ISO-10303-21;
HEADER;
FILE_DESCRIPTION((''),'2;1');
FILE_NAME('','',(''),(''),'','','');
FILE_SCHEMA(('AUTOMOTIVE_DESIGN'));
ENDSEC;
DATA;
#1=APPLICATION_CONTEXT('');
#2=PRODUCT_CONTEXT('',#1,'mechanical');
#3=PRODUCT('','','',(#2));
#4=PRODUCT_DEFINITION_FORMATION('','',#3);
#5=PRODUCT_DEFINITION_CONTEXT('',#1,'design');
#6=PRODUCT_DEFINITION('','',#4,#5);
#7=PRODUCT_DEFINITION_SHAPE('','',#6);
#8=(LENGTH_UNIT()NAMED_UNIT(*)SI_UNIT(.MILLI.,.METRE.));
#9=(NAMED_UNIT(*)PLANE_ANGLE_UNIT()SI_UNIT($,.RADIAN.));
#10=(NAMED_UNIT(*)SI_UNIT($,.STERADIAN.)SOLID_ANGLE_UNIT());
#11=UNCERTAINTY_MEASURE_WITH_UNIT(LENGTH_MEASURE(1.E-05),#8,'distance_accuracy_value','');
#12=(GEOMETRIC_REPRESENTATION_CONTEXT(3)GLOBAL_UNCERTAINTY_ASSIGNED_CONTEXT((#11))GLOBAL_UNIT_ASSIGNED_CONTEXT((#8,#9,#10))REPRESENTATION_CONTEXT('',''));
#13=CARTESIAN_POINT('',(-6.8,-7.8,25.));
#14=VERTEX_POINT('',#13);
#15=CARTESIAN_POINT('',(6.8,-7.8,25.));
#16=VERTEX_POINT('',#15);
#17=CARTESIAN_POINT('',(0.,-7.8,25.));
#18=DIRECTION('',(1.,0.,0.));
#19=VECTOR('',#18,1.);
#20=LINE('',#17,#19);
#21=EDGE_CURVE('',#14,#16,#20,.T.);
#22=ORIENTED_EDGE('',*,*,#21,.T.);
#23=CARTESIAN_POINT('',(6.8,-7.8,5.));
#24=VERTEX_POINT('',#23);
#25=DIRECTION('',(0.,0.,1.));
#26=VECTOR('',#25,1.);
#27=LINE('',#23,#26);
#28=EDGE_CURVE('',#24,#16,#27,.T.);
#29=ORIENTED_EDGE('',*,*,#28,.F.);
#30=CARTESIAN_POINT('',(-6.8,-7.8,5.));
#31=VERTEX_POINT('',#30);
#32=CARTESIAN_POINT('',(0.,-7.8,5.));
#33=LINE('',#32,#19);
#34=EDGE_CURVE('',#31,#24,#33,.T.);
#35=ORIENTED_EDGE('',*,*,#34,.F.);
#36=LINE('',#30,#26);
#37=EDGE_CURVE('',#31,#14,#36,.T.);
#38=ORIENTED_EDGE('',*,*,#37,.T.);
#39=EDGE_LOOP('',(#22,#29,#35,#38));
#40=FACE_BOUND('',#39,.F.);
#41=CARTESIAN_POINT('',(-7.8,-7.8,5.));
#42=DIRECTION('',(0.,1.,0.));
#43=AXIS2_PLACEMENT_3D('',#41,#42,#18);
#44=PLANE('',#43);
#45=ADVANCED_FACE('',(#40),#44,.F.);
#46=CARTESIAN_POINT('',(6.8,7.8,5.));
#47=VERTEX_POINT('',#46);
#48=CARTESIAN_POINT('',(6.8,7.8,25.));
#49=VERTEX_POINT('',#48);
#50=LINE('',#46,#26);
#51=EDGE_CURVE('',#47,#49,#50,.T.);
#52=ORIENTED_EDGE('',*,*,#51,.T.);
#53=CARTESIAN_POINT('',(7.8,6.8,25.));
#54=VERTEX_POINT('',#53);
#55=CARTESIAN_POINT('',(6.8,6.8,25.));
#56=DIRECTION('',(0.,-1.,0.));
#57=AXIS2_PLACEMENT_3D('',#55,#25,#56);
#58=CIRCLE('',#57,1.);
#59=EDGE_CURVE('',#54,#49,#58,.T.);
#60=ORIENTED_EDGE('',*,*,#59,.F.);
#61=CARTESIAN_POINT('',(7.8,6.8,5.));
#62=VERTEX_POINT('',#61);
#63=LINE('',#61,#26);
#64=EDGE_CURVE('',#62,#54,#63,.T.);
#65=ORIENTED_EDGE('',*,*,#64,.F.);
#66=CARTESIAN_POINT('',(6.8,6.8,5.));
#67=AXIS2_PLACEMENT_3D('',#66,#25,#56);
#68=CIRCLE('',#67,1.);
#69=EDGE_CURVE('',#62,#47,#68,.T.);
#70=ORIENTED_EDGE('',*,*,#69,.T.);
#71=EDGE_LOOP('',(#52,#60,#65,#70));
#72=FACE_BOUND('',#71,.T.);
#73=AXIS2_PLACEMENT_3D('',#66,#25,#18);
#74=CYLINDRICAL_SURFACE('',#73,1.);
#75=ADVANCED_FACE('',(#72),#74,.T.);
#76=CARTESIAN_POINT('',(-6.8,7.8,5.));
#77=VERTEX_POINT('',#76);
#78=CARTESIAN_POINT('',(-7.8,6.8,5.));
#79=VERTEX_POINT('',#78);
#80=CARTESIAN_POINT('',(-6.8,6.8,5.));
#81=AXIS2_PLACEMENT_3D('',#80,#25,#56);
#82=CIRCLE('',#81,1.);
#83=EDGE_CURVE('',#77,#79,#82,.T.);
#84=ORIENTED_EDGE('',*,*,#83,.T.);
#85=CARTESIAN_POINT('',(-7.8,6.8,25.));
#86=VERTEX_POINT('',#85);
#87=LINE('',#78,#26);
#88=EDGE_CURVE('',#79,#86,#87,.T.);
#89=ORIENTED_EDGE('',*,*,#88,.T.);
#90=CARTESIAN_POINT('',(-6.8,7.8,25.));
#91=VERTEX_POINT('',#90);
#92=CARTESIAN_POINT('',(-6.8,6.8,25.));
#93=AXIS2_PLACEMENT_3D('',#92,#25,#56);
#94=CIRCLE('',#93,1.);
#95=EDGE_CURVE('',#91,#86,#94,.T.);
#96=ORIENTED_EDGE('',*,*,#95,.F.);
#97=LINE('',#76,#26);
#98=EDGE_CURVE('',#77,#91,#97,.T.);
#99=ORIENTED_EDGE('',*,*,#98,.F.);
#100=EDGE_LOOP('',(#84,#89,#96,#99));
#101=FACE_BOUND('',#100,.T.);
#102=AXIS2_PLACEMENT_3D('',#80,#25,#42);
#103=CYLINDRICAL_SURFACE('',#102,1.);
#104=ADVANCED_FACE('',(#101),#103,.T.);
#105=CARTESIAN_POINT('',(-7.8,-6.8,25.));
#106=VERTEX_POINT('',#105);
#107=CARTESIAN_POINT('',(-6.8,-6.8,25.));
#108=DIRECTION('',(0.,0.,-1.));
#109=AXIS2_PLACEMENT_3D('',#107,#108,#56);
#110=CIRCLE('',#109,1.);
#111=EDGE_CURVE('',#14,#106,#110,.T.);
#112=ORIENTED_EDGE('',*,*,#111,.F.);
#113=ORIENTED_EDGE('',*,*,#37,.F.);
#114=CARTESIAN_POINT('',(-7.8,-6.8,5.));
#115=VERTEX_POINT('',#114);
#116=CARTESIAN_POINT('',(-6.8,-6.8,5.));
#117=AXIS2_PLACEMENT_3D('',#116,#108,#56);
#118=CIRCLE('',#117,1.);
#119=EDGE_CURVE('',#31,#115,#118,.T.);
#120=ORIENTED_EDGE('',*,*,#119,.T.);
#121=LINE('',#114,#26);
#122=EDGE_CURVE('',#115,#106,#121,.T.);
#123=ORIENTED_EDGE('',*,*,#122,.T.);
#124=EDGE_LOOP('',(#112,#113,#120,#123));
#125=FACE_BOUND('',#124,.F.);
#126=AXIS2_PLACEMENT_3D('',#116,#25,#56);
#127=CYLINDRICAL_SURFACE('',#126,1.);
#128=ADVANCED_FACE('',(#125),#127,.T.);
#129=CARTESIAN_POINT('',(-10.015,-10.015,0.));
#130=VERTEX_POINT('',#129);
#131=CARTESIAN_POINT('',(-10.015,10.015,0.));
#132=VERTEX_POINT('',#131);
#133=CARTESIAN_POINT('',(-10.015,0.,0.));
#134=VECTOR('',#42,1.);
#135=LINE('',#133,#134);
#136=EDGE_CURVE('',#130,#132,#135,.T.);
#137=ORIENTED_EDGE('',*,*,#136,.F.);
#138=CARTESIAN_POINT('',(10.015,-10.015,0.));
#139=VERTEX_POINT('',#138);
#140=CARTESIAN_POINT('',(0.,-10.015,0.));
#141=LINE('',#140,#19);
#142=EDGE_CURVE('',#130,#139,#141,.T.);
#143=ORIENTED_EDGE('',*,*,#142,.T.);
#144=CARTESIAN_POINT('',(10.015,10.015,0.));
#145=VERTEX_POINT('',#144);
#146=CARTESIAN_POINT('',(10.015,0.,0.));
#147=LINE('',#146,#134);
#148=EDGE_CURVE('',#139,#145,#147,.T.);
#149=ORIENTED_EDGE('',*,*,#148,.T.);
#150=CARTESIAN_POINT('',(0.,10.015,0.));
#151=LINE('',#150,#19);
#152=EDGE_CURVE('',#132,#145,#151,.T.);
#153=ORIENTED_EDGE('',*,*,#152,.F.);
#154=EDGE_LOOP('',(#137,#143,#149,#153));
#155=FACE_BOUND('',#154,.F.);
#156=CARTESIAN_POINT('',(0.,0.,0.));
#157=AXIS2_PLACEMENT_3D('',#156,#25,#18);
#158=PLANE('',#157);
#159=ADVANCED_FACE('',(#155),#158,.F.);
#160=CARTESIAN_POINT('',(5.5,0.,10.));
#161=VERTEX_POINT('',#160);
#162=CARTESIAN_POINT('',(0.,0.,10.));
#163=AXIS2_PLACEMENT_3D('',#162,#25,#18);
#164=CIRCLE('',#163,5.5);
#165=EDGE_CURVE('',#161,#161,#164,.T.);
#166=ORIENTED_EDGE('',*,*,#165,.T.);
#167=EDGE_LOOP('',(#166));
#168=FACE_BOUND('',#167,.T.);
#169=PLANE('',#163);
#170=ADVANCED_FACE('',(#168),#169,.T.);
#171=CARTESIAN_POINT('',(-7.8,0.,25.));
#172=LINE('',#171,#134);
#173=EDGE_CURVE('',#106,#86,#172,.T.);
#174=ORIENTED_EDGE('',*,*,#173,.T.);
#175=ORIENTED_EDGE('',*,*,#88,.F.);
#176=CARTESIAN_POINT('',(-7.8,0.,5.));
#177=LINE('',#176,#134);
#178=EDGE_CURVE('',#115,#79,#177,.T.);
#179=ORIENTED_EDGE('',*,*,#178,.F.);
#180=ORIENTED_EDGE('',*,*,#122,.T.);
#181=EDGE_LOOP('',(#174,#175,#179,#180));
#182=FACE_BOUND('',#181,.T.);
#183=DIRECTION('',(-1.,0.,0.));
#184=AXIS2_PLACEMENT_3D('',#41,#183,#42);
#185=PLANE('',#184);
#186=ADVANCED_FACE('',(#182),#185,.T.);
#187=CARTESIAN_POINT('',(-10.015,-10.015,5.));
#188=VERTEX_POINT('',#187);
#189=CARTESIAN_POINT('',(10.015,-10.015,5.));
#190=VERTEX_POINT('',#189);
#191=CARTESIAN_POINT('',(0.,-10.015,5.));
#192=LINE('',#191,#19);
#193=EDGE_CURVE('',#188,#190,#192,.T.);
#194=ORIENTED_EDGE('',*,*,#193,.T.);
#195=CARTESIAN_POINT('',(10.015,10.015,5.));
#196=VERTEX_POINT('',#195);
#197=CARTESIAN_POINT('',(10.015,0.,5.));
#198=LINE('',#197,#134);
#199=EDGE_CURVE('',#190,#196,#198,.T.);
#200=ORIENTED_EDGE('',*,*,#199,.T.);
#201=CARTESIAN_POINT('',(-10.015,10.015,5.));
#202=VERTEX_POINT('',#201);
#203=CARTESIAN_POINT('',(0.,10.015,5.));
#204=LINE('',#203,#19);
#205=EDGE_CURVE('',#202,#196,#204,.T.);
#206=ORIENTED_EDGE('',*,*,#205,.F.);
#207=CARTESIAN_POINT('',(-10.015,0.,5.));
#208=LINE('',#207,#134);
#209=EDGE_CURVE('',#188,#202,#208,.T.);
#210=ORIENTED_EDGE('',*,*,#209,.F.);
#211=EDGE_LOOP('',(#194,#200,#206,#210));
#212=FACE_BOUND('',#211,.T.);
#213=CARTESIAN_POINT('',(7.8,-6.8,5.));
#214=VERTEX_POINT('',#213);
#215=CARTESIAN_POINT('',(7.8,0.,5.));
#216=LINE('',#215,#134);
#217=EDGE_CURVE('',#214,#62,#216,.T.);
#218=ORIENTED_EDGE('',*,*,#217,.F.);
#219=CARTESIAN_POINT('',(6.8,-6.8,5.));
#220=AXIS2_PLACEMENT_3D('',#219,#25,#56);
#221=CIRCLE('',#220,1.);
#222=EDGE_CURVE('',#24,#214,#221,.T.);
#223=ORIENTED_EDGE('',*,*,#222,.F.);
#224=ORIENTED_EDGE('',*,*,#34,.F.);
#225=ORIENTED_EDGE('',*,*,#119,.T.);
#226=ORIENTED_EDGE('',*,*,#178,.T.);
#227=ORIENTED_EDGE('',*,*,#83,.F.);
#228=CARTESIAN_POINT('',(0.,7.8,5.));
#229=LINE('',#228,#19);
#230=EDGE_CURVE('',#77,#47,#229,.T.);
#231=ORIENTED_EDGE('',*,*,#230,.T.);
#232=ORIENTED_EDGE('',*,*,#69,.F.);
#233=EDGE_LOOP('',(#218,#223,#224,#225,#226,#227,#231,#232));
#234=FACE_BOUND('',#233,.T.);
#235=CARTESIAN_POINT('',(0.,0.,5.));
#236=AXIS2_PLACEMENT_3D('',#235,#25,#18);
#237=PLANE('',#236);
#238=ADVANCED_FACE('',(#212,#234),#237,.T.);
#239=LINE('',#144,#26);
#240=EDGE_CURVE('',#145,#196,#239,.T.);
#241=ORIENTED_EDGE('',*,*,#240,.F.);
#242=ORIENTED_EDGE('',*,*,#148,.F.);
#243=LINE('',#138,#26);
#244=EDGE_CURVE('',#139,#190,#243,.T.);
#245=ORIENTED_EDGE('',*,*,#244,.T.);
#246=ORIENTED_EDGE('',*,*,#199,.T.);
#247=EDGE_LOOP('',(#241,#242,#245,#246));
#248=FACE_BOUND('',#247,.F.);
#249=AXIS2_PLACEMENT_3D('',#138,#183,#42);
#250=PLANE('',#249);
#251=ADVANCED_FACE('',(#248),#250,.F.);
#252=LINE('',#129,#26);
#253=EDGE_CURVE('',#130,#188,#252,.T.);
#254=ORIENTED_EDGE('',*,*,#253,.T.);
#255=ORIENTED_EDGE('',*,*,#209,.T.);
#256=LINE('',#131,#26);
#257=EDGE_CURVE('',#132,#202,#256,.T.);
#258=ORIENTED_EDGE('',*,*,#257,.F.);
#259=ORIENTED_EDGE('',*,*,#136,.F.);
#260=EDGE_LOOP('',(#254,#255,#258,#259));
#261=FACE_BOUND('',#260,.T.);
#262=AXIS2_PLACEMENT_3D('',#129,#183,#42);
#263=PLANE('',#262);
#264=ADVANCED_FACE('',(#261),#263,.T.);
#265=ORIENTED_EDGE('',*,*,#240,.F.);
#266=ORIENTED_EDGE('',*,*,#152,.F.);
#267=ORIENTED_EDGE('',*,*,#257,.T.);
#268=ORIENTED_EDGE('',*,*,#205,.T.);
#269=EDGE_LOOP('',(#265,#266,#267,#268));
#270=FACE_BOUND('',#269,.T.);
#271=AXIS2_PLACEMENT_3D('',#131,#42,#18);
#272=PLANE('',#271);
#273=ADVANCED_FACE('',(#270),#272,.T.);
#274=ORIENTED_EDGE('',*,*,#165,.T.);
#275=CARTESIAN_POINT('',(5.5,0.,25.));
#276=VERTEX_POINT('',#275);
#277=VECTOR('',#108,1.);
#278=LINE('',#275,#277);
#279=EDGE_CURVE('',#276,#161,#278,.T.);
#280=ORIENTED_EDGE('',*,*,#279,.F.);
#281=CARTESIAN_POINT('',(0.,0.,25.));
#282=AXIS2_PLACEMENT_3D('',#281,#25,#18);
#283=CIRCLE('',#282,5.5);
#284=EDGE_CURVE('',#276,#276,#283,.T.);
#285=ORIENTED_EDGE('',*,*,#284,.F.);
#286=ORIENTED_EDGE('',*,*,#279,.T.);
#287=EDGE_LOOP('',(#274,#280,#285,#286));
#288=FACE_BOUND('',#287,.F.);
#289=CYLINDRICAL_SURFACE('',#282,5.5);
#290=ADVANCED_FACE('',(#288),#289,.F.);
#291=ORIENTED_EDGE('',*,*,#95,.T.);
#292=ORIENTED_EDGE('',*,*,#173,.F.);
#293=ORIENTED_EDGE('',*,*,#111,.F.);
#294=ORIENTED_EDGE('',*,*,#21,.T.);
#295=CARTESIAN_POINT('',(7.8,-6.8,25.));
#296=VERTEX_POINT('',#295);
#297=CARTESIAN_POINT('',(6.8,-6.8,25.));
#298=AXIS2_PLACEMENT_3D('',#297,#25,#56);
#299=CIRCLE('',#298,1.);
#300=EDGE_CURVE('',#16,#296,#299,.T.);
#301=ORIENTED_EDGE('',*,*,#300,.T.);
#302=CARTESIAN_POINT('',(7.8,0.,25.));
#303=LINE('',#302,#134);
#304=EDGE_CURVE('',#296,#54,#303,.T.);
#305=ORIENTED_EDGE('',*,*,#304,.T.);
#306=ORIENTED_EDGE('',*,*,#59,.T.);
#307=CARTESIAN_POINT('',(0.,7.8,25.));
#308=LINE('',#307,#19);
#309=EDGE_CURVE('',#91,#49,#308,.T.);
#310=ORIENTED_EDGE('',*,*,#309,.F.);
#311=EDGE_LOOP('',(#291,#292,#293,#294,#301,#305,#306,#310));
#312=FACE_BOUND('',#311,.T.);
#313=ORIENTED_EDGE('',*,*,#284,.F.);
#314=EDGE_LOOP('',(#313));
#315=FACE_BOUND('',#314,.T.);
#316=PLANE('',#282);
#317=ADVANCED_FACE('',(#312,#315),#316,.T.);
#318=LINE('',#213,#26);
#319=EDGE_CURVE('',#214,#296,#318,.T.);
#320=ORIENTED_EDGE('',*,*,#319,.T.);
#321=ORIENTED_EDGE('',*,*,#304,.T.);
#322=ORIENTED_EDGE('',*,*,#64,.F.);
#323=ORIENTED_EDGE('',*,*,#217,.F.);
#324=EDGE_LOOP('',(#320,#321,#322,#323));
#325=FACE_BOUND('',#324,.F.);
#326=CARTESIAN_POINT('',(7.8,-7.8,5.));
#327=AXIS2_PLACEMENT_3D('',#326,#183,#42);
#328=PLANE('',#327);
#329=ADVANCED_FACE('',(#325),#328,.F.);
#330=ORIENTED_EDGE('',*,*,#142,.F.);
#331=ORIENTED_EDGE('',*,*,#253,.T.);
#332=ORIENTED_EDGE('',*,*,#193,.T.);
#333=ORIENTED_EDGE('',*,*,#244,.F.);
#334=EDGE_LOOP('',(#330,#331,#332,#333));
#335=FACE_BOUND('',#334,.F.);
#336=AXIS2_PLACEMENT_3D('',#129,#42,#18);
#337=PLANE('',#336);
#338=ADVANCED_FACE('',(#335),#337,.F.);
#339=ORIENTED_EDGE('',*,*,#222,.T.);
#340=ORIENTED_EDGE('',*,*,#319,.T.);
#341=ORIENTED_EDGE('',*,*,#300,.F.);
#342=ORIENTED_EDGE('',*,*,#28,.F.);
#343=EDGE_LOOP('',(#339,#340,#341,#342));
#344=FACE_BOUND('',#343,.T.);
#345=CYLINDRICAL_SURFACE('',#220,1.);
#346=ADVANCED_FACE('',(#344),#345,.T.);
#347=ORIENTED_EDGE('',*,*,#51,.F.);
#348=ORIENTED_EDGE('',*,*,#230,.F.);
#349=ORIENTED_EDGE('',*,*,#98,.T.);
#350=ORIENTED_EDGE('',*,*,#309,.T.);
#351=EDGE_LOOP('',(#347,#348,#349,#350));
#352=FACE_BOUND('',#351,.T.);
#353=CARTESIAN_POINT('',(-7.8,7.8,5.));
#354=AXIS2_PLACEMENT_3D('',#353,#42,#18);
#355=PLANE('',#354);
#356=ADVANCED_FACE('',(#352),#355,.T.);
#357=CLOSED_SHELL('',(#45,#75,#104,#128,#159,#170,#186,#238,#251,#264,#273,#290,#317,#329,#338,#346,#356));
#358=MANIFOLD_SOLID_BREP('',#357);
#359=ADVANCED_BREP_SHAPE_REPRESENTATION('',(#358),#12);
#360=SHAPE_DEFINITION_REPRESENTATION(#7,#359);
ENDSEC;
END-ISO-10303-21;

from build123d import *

# Parameters (mm, degrees)
F0_W     = 20.03
F0_H     = 20.03
F1_DEPTH = 5
F2_W     = 15.6
F2_H     = 15.6
F3_DEPTH = 20
F4_R     = 5.5
F5_DEPTH = 15
F6_R     = 1


with BuildPart() as f1:
    # F0 (on Top) → F1 (new body)
    with BuildSketch(Plane.XY):
        Rectangle(F0_W, F0_H)
    extrude(amount=F1_DEPTH)

    # F2 (on face) → F3 (join)
    with BuildSketch(Plane.XY.offset(5)):
        Rectangle(F2_W, F2_H)
    extrude(amount=F3_DEPTH)

    # F4 (on face) → F5 (cut)
    with BuildSketch(Plane.XY.offset(25)):
        Circle(F4_R)
    extrude(amount=-F5_DEPTH, mode=Mode.SUBTRACT)

    # F6
    f6_edges = [f1.edges().sort_by_distance(p)[0] for p in [
        (-7.8, -7.8, 15),
        (7.8, -7.8, 15),
        (7.8, 7.8, 15),
        (-7.8, 7.8, 15),
    ]]
    fillet(f6_edges, radius=F6_R)


solid = f1.part
